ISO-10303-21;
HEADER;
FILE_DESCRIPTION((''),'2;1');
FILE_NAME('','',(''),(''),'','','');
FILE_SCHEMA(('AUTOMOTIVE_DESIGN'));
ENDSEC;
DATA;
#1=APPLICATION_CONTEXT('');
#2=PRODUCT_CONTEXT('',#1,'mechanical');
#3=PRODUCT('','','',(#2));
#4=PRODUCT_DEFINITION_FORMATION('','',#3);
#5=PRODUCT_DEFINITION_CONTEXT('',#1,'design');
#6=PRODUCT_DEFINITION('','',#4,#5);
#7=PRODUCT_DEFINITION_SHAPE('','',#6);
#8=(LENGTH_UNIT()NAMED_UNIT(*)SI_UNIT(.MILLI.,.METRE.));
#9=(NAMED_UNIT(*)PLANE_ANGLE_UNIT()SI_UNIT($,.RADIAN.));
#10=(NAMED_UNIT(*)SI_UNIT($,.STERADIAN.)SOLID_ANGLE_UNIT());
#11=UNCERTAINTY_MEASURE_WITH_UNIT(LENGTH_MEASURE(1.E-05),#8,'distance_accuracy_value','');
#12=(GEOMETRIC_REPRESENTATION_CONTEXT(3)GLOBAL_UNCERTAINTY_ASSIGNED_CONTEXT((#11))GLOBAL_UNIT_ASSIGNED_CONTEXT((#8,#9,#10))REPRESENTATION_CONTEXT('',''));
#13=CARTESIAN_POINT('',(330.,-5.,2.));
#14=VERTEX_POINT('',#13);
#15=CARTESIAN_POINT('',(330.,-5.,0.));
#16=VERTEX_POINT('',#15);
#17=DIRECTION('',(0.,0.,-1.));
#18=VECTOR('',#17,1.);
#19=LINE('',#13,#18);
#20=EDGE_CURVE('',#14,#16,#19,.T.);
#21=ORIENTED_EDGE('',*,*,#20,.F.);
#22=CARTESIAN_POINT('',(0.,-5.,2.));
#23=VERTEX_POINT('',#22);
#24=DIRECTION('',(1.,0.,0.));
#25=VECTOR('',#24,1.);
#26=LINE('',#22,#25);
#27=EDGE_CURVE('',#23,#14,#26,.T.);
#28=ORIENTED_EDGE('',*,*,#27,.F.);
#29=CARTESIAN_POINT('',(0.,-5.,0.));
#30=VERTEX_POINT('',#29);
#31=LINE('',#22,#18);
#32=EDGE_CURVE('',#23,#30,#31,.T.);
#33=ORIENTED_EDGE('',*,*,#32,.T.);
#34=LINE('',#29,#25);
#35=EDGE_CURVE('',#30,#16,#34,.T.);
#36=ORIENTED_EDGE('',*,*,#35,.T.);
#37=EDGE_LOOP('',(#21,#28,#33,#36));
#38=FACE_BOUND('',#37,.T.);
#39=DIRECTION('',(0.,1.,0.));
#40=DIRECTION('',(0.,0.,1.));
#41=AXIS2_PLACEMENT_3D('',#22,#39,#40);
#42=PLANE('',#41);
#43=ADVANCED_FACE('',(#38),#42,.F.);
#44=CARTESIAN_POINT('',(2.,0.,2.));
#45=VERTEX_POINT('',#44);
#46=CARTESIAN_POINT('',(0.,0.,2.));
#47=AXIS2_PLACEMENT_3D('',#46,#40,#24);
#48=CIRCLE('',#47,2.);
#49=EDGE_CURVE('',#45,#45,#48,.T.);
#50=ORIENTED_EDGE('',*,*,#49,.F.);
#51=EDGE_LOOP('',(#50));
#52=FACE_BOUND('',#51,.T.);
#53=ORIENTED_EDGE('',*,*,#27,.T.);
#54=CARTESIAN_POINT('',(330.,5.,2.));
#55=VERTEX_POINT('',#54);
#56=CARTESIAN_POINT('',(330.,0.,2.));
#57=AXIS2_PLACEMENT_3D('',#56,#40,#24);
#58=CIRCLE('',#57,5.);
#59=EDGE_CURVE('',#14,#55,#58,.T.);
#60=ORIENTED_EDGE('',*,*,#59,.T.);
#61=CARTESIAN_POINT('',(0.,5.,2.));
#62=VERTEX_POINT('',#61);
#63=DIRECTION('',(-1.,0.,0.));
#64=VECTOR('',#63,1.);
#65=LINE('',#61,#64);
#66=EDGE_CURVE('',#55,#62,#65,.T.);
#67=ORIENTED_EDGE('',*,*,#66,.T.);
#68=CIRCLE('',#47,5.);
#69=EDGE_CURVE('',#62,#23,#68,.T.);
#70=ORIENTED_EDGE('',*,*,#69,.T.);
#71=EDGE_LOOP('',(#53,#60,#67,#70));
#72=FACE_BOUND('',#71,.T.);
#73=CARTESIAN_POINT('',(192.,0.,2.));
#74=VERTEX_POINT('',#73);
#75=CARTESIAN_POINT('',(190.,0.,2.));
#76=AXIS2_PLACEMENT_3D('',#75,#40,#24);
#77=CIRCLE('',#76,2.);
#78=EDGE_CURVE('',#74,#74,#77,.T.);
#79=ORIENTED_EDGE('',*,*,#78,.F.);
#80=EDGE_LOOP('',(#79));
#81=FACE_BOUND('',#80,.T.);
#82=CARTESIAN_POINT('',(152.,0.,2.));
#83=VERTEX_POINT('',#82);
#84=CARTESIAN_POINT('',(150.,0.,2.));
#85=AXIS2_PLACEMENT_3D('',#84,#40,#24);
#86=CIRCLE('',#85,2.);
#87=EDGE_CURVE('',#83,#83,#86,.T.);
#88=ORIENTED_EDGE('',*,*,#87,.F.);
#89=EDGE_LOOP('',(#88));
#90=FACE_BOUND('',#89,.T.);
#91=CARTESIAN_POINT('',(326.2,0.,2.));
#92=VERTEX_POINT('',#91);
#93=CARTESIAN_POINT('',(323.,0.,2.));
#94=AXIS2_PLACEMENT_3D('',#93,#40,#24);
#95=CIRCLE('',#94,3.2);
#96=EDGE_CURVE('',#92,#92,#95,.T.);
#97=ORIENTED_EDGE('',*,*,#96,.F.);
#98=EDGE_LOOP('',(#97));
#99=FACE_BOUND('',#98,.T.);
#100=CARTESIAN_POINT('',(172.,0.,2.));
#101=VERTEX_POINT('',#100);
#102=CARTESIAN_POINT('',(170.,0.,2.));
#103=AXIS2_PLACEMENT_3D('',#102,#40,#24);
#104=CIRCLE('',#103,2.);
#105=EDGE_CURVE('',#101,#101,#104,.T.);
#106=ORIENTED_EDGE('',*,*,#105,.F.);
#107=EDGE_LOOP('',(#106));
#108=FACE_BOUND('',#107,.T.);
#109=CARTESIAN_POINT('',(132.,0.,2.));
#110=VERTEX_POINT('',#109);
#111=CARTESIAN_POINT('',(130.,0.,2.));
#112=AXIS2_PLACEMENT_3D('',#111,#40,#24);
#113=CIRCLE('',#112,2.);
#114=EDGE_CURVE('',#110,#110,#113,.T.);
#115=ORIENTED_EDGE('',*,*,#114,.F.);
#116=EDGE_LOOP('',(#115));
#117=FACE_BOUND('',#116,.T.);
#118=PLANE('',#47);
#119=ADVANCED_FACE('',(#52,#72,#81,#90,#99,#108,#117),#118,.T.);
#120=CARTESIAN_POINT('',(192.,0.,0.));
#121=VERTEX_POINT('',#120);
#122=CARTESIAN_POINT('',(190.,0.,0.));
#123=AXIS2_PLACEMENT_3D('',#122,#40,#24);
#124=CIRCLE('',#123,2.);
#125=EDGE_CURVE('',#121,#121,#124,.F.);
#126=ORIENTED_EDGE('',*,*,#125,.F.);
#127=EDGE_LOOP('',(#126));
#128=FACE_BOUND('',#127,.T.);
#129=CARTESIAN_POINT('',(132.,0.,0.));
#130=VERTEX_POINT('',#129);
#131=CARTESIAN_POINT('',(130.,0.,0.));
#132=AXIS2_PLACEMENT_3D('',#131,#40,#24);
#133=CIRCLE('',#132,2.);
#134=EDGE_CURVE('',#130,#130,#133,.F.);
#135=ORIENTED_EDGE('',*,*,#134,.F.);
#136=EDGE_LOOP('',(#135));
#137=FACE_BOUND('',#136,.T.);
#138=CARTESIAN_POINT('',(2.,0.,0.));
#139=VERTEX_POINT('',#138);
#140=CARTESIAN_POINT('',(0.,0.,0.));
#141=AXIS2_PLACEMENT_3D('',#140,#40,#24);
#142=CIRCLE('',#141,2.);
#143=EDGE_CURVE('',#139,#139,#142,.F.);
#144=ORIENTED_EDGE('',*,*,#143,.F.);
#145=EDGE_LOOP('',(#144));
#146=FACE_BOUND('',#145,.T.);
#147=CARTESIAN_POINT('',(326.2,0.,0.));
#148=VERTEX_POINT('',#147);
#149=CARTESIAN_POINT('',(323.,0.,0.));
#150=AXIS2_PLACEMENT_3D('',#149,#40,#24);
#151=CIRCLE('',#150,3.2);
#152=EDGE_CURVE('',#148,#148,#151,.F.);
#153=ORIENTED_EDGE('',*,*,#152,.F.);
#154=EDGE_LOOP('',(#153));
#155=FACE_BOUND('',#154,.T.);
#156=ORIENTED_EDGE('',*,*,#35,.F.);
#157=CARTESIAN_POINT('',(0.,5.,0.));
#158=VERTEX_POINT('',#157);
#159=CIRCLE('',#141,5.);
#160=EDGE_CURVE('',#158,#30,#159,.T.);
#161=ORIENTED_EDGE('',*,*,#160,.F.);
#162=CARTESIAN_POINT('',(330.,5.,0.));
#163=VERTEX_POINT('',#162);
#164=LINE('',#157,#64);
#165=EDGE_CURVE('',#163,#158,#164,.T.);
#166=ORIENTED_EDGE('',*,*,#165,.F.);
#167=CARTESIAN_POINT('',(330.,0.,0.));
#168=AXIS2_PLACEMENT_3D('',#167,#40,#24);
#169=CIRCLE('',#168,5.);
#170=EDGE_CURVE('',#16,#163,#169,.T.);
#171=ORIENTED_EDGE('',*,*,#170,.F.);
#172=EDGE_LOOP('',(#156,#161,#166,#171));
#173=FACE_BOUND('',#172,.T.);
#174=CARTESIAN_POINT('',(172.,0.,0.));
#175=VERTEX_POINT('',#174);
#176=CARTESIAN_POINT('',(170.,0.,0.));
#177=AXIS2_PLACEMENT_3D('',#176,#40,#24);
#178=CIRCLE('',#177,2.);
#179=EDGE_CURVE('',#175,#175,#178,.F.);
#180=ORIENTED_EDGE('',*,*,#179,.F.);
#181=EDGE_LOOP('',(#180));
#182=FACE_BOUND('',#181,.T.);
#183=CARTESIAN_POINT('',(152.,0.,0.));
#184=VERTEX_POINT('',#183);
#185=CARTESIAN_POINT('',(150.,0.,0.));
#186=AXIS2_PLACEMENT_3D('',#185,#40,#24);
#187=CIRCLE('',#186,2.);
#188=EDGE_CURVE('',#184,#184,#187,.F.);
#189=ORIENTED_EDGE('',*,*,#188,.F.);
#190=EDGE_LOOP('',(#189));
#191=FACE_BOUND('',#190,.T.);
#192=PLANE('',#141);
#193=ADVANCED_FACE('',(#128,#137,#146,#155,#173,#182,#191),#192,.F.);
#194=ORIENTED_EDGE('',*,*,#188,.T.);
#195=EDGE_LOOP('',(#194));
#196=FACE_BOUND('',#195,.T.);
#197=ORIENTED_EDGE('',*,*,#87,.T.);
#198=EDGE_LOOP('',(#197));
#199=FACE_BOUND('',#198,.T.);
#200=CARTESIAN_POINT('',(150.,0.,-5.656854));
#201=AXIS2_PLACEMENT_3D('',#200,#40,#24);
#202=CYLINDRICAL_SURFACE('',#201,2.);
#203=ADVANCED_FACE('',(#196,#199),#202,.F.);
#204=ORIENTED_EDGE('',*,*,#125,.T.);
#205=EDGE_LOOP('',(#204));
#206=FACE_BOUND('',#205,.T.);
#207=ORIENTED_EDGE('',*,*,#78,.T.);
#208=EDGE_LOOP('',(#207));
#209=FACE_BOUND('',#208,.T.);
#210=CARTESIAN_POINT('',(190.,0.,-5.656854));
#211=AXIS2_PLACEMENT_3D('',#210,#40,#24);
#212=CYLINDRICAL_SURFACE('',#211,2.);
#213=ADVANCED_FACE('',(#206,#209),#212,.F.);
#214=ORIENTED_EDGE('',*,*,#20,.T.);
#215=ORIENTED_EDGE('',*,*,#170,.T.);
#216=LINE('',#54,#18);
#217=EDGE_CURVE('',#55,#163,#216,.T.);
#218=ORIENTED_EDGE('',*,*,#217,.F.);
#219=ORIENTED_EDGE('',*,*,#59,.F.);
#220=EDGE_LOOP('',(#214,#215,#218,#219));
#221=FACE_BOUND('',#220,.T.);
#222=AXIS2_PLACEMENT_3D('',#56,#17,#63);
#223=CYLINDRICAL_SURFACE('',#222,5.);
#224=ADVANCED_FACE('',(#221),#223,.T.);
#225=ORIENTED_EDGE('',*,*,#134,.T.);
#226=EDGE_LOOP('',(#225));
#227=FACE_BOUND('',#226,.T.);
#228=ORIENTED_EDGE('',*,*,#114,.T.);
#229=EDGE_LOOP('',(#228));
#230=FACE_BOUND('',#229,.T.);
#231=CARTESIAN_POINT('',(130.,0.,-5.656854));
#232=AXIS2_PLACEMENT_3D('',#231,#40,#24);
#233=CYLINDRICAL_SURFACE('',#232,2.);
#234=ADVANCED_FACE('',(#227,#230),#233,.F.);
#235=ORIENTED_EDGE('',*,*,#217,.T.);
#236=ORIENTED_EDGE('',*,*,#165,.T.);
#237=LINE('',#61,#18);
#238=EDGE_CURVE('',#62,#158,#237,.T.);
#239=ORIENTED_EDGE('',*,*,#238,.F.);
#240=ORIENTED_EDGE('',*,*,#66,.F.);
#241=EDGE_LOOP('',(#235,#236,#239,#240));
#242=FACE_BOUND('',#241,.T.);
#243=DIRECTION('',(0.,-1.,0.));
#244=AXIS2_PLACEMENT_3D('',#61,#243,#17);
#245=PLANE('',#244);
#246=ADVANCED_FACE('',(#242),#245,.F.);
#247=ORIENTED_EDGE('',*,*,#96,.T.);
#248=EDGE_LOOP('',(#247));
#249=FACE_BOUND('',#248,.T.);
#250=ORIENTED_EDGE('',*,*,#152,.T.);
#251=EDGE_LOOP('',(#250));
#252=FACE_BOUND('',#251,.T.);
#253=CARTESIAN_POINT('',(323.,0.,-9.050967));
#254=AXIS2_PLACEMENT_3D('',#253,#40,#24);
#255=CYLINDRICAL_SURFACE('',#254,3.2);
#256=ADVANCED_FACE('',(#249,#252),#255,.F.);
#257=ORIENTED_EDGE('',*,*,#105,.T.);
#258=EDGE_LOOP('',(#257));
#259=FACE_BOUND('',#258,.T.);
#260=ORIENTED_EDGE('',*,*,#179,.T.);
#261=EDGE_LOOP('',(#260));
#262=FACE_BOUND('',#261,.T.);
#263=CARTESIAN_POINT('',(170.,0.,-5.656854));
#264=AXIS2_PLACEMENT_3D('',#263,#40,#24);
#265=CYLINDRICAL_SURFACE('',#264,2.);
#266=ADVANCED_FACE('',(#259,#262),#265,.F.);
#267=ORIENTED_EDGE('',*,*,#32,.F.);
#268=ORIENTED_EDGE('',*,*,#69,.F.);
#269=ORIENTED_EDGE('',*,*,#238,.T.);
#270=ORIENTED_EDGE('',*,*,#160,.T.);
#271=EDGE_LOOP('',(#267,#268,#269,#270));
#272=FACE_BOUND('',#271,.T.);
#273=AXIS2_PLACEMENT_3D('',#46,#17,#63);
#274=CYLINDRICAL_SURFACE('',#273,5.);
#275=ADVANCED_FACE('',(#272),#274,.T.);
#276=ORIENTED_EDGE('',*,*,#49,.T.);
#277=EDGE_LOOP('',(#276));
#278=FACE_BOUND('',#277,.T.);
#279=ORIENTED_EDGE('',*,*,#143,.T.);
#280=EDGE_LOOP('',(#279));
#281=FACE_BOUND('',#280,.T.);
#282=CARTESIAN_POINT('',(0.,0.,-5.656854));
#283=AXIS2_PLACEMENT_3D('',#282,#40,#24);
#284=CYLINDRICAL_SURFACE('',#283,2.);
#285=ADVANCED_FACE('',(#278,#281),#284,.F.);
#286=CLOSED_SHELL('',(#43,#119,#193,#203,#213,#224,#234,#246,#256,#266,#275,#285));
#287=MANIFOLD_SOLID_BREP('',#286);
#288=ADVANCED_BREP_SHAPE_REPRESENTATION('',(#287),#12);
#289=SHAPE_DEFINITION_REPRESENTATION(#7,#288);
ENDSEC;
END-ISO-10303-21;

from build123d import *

# Parameters (mm, degrees)
BOSS_EXTRUDE1_DEPTH = 2
SKETCH2_R           = 3.2
CUT_EXTRUDE1_DEPTH  = 2
SKETCH5_R           = 2
CUT_EXTRUDE2_DEPTH  = 2
SKETCH10_R          = 2
CUT_EXTRUDE4_DEPTH  = 2


with BuildPart() as part:
    # Sketch1 → Boss-Extrude1 (new body)
    with BuildSketch(Plane.XY):
        with BuildLine():
            Line((0, 5), (330, 5))
            ThreePointArc((330, 5), (335, 0), (330, -5))
            Line((330, -5), (0, -5))
            ThreePointArc((0, -5), (-5, 0), (0, 5))
        make_face()
    extrude(amount=BOSS_EXTRUDE1_DEPTH)

    # Sketch2 → Cut-Extrude1 (cut)
    with BuildSketch(Plane.XY.offset(2)):
        with Locations((323, 0)):
            Circle(SKETCH2_R)
    extrude(amount=-CUT_EXTRUDE1_DEPTH, mode=Mode.SUBTRACT)

    # Sketch5 → Cut-Extrude2 (cut)
    with BuildSketch(Plane.XY.offset(2)):
        with Locations((190, 0)):
            Circle(SKETCH5_R)
        with Locations((170, 0)):
            Circle(SKETCH5_R)
        with Locations((150, 0)):
            Circle(SKETCH5_R)
        with Locations((130, 0)):
            Circle(SKETCH5_R)
    extrude(amount=-CUT_EXTRUDE2_DEPTH, mode=Mode.SUBTRACT)

    # Sketch10 → Cut-Extrude4 (cut)
    with BuildSketch(Plane.XY.offset(2)):
        Circle(SKETCH10_R)
    extrude(amount=-CUT_EXTRUDE4_DEPTH, mode=Mode.SUBTRACT)


solid = part.part
